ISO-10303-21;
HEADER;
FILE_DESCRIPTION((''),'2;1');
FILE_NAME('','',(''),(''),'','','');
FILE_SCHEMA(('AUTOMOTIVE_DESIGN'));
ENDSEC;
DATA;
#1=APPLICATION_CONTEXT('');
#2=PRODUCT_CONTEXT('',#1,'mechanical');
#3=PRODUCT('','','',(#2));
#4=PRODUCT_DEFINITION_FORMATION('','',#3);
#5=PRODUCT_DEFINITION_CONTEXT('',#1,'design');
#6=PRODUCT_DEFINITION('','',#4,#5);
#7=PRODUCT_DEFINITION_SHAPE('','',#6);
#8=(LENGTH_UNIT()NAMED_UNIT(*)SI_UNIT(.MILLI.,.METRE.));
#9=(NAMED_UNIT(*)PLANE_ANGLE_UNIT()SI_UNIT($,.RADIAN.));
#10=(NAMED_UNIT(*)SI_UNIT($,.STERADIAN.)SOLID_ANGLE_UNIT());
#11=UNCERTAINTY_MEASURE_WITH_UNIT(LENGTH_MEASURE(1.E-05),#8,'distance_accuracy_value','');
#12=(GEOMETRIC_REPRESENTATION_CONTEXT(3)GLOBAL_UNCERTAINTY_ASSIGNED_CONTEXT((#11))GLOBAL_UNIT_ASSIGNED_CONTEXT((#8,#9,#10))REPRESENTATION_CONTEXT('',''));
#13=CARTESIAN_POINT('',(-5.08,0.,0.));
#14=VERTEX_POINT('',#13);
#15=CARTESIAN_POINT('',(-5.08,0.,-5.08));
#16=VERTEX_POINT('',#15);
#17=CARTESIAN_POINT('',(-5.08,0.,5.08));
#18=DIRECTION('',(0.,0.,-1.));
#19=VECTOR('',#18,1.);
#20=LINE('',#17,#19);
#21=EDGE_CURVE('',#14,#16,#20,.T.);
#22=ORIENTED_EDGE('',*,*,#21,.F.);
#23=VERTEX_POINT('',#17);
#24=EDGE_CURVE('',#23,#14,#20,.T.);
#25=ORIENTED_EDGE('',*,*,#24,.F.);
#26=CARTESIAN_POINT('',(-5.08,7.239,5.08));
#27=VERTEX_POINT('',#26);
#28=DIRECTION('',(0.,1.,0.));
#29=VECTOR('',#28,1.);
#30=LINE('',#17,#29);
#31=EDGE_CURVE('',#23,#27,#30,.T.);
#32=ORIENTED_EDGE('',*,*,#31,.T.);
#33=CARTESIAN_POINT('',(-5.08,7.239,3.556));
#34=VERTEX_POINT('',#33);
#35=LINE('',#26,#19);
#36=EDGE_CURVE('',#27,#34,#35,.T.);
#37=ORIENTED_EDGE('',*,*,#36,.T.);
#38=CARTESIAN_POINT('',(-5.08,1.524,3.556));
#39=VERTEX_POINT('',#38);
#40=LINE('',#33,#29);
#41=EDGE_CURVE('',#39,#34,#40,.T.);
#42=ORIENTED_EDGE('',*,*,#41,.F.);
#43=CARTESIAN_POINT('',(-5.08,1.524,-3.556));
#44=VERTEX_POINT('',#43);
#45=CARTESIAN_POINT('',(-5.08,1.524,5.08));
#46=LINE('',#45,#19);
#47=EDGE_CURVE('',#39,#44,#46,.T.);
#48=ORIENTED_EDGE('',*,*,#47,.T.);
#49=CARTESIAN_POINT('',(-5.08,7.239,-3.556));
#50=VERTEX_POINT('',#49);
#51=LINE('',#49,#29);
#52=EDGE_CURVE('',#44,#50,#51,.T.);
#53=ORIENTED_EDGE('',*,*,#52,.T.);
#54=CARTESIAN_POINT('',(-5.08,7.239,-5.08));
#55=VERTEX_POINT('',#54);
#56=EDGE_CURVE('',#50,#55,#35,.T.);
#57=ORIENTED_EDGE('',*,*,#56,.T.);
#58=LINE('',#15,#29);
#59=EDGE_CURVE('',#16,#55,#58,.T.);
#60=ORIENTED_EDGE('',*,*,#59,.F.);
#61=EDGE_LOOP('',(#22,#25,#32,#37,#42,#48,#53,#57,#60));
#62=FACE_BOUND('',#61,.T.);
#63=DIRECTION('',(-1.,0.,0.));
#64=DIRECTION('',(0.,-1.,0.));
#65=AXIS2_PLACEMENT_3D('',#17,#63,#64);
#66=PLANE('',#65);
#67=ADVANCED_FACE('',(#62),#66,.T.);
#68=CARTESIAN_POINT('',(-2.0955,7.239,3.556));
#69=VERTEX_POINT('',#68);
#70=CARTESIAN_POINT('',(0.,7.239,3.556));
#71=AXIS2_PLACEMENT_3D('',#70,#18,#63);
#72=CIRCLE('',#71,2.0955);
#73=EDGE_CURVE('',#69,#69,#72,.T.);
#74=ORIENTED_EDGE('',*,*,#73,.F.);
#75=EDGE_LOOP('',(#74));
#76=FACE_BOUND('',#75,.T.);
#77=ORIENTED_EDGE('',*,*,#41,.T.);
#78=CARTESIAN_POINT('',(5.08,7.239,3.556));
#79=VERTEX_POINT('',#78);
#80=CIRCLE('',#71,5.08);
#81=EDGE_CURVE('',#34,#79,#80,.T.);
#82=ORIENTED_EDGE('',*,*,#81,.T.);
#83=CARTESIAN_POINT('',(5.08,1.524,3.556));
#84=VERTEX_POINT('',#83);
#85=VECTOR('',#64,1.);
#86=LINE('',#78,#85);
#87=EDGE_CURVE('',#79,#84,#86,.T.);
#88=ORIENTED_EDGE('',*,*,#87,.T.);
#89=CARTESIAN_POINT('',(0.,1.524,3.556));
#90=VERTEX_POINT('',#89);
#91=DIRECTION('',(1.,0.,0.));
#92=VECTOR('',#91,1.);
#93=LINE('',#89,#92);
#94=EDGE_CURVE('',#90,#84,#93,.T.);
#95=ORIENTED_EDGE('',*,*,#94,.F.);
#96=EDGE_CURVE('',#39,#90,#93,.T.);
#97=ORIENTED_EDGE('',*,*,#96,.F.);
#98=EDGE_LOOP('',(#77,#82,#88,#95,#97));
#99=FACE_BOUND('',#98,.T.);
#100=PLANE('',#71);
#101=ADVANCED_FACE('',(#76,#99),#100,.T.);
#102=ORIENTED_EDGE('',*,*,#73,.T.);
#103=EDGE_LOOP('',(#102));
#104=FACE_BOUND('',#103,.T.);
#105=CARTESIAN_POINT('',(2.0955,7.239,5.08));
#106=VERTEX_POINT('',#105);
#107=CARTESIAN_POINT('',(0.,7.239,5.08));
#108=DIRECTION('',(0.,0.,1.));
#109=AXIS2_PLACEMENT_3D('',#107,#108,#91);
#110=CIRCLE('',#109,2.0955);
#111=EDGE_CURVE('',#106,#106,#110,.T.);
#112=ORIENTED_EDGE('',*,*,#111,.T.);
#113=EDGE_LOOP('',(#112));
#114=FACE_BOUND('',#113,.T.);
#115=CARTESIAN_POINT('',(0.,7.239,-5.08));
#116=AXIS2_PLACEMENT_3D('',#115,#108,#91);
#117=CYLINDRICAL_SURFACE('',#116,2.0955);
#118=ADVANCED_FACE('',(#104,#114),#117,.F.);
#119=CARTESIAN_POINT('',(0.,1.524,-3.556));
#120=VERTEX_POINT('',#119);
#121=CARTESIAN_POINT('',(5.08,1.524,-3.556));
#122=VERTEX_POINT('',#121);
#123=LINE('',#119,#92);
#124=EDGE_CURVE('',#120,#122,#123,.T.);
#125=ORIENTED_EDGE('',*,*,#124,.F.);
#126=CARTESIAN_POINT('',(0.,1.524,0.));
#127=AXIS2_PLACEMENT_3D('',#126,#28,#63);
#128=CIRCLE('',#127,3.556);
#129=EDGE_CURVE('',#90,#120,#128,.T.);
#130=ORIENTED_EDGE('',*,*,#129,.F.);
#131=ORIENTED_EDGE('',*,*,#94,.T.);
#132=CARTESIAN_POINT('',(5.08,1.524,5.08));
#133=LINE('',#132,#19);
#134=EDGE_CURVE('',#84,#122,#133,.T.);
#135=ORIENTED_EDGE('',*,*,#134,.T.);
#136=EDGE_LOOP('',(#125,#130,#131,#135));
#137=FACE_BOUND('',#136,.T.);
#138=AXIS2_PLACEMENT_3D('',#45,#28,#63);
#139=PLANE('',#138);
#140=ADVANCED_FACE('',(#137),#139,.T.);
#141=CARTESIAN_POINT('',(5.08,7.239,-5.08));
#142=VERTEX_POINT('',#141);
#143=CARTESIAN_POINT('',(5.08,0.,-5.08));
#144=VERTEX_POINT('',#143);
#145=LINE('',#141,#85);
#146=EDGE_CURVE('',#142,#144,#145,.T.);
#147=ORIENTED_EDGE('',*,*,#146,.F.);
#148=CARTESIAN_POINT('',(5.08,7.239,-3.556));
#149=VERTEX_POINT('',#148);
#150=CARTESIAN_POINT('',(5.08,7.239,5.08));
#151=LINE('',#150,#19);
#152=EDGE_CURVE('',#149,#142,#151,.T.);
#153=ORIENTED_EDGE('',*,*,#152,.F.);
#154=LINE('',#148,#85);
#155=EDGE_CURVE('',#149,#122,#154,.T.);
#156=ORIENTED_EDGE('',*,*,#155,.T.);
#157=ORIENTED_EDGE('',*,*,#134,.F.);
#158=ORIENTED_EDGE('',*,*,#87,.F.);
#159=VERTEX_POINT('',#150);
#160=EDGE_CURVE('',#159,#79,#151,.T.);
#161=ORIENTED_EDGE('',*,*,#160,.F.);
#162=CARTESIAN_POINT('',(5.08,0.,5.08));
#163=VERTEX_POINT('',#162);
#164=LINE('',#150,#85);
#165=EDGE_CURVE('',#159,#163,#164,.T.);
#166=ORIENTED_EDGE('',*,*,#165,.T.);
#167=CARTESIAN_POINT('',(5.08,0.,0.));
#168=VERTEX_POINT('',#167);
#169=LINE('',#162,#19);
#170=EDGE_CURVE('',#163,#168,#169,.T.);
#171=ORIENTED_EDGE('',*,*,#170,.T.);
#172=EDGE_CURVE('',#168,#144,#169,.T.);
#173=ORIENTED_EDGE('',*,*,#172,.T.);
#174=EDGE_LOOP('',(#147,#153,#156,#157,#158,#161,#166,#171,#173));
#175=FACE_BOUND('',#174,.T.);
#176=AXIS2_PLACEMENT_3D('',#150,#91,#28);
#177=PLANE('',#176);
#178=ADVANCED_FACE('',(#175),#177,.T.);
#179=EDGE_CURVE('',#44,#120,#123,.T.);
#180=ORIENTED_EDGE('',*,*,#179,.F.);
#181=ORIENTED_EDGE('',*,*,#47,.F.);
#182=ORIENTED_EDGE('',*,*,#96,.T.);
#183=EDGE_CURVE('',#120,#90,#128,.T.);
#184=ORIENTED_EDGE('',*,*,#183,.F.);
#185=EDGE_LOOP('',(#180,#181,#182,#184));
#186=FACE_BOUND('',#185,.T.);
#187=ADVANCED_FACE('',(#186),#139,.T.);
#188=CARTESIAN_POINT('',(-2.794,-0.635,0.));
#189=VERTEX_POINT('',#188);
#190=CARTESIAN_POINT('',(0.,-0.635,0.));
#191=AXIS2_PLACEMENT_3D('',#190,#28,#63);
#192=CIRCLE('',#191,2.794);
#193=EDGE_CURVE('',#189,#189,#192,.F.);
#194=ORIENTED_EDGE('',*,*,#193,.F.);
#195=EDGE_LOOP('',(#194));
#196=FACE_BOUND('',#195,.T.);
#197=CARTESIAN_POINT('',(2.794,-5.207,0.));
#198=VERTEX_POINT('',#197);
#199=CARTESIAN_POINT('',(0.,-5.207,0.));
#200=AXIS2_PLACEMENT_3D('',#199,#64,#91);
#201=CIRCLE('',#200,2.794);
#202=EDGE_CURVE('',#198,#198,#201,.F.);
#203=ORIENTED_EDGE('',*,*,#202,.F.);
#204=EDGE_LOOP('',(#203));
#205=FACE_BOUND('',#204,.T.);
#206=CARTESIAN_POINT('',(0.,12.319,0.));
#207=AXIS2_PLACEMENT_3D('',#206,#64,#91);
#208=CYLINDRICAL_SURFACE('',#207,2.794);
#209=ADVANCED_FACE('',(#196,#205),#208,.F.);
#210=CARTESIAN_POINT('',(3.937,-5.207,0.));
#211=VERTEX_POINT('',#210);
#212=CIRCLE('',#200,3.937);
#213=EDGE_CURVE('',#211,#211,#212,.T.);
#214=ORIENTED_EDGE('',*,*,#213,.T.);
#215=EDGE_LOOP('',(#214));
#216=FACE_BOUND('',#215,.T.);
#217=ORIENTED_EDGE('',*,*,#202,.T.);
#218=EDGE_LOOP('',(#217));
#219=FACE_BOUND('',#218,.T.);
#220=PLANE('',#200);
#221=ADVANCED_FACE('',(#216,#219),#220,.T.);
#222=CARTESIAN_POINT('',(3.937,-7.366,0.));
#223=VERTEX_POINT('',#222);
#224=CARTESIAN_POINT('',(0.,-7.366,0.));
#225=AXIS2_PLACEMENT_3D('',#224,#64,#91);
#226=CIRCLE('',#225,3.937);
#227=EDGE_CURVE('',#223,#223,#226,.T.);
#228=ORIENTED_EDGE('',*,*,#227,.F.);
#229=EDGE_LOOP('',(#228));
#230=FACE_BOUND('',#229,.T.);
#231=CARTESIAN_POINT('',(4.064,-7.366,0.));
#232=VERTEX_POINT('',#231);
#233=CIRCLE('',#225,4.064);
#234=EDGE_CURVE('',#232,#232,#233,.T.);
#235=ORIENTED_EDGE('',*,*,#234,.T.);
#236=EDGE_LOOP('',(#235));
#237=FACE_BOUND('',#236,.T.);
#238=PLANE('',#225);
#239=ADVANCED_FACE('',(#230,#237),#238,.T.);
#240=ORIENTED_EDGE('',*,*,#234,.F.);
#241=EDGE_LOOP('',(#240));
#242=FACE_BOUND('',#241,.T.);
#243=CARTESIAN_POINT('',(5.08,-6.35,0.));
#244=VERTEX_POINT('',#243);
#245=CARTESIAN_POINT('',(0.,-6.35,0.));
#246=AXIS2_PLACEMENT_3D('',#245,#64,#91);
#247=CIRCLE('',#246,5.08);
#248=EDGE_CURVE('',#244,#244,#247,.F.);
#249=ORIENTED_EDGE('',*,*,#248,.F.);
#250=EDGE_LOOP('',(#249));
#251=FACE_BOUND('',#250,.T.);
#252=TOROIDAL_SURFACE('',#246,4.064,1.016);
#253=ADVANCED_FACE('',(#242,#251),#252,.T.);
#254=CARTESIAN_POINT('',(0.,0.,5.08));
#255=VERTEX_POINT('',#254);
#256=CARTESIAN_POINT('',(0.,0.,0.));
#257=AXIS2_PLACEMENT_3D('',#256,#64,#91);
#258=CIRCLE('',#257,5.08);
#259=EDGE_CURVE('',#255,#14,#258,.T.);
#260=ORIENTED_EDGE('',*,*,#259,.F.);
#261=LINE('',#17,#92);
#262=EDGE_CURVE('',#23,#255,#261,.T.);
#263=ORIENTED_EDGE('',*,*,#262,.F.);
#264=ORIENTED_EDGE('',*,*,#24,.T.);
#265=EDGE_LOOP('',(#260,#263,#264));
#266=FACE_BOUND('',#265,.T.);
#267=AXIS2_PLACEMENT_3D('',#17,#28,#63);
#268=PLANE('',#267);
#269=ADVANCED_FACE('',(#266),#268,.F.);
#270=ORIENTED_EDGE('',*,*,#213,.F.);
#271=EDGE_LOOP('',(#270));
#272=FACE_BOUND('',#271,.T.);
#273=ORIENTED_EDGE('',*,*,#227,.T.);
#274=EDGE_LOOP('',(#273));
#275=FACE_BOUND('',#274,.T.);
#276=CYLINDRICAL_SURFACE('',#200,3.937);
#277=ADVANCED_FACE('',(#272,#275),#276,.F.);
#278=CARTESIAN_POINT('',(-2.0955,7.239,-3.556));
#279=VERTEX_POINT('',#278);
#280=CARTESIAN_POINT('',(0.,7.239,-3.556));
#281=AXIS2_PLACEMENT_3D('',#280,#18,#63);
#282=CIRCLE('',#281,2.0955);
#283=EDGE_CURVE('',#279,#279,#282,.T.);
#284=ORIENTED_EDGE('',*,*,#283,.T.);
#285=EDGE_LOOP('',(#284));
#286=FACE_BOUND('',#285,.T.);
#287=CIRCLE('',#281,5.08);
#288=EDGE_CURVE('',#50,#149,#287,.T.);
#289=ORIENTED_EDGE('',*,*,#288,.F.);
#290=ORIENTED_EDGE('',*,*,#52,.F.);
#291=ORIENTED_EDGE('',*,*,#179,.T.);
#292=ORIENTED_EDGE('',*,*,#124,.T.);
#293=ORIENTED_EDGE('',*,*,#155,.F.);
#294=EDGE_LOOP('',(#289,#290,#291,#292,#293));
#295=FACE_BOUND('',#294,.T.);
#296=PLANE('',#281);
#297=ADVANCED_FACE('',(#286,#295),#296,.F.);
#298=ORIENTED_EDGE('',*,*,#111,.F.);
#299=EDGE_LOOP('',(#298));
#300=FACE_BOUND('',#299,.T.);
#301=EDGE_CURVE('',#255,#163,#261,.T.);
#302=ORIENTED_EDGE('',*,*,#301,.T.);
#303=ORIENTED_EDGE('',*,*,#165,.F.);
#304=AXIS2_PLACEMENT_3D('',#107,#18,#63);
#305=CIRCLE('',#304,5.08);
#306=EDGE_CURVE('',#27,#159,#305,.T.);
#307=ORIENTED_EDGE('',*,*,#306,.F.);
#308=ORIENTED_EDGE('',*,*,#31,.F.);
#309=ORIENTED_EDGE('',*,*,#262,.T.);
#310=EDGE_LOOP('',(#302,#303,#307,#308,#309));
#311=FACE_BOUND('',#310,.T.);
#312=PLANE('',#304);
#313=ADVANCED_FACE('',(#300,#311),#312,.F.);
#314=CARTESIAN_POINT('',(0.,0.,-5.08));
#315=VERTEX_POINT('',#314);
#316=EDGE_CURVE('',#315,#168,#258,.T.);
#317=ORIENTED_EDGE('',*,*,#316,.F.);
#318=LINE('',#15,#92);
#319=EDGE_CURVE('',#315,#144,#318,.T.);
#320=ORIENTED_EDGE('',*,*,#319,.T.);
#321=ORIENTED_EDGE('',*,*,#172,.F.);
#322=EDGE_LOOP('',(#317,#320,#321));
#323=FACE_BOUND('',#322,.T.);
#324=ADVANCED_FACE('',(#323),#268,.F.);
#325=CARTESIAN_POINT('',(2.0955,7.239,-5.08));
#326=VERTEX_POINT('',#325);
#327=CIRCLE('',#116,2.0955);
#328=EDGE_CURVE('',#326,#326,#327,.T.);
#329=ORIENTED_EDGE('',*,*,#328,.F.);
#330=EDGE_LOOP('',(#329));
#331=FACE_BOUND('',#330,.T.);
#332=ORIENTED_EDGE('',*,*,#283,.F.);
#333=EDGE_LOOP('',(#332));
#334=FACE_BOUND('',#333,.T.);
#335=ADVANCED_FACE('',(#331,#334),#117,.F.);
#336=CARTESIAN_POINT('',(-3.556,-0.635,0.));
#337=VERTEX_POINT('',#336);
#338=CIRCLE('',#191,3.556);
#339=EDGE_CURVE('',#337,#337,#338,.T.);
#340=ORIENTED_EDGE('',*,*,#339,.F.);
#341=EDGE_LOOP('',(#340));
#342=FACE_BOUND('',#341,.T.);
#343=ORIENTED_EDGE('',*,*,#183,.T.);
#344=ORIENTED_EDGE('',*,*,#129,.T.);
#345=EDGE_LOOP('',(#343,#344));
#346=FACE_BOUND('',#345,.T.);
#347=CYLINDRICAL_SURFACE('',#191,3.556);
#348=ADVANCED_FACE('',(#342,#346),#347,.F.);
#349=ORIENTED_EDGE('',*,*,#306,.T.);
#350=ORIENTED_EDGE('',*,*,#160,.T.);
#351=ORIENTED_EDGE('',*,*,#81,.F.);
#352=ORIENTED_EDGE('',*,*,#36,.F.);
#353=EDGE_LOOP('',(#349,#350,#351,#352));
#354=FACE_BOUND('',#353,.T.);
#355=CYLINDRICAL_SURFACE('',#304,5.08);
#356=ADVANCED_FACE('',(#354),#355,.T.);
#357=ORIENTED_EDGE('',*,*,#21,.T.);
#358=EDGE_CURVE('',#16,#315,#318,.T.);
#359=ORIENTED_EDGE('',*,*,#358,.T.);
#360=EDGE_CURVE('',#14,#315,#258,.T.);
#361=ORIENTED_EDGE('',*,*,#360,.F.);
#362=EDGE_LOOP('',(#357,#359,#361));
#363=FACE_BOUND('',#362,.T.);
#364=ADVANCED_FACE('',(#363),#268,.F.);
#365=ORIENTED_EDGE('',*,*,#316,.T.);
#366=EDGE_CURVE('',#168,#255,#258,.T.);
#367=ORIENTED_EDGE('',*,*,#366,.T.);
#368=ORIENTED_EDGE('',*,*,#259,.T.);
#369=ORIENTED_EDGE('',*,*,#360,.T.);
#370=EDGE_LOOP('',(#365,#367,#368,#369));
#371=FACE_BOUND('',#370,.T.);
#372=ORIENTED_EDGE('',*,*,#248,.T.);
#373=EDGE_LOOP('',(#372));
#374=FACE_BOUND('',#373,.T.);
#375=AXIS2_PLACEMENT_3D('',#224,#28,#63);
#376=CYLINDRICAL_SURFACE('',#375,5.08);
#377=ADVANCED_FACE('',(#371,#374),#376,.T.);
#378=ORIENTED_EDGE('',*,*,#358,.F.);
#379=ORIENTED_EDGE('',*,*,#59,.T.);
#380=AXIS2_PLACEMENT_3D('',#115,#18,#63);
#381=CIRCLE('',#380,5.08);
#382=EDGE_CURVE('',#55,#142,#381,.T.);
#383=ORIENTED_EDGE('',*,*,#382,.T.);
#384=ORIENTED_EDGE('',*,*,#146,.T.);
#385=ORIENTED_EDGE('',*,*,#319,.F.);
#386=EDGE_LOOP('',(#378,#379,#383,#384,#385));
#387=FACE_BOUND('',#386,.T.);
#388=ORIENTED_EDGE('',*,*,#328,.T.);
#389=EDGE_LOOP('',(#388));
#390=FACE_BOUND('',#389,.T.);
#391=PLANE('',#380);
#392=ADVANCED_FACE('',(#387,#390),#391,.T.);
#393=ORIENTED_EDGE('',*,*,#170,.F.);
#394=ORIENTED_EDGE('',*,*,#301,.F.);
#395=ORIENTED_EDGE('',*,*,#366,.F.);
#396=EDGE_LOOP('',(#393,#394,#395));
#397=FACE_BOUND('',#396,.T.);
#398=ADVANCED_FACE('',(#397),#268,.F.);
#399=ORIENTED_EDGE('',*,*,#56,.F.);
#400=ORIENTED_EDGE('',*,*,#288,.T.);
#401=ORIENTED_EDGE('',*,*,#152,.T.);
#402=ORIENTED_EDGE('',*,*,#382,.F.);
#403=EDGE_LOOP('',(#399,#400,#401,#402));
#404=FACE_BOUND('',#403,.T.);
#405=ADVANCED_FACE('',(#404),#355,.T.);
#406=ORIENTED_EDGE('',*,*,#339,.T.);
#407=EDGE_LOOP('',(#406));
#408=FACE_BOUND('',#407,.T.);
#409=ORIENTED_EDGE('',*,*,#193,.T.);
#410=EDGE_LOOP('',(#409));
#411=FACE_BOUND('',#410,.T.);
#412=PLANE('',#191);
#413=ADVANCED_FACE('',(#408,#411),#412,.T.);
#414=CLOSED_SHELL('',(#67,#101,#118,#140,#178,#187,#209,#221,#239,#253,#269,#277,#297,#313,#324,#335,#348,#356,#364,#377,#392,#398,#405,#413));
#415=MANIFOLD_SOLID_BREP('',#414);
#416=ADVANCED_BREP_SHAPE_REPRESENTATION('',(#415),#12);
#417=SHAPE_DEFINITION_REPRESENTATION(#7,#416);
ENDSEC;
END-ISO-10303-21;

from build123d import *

# Parameters (mm, degrees)
BASE_EXTRUDE_DEPTH  = 5.08
SHELL1_T            = -1.524
SKETCH2_R           = 2.0955
CUT_EXTRUDE1_DEPTH  = 17.756782537
SKETCH4_R           = 5.08
BOSS_EXTRUDE1_DEPTH = 7.366
SKETCH5_R           = 2.794
CUT_EXTRUDE2_DEPTH  = 21.955
SKETCH3_R           = 3.556
CUT_EXTRUDE3_DEPTH  = 2.159
SKETCH6_R           = 3.937
CUT_EXTRUDE4_DEPTH  = 2.159
FILLET1_R           = 1.016


with BuildPart() as part:
    # Sketch1 → Base-Extrude (new, symmetric)
    with BuildSketch(Plane.XY):
        with BuildLine():
            Line((-5.08, 0), (5.08, 0))
            Line((5.08, 0), (5.08, 7.239))
            ThreePointArc((5.08, 7.239), (0, 12.319), (-5.08, 7.239))
            Line((-5.08, 7.239), (-5.08, 0))
        make_face()
    extrude(amount=BASE_EXTRUDE_DEPTH, both=True)

    # Shell1
    shell1_openings = [part.faces().sort_by_distance(p)[0] for p in [
        (5.08, 3.6195, 0),
        (0, 12.319, 0),
        (-5.08, 3.6195, 0),
    ]]
    offset(amount=SHELL1_T, openings=shell1_openings, kind=Kind.INTERSECTION)

    # Sketch2 → Cut-Extrude1 (cut, through all)
    with BuildSketch(Plane.XY.offset(5.08)):
        with Locations((0, 7.239)):
            Circle(SKETCH2_R)
    extrude(amount=-CUT_EXTRUDE1_DEPTH, mode=Mode.SUBTRACT)

    # Sketch4 → Boss-Extrude1 (add)
    with BuildSketch(Plane.XZ):
        Circle(SKETCH4_R)
    extrude(amount=BOSS_EXTRUDE1_DEPTH)

    # Sketch5 → Cut-Extrude2 (cut, through all)
    with BuildSketch(Plane.XZ.offset(7.366)):
        Circle(SKETCH5_R)
    extrude(amount=-CUT_EXTRUDE2_DEPTH, mode=Mode.SUBTRACT)

    # Sketch3 → Cut-Extrude3 (cut)
    with BuildSketch(Plane(origin=(0, 1.524, 0), x_dir=(-1, 0, 0), z_dir=(0, 1, 0))):
        Circle(SKETCH3_R)
    extrude(amount=-CUT_EXTRUDE3_DEPTH, mode=Mode.SUBTRACT)

    # Sketch6 → Cut-Extrude4 (cut)
    with BuildSketch(Plane.XZ.offset(7.366)):
        Circle(SKETCH6_R)
    extrude(amount=-CUT_EXTRUDE4_DEPTH, mode=Mode.SUBTRACT)

    # Fillet1
    fillet1_edges = [part.edges().sort_by_distance(p)[0] for p in [
        (-5.08, -7.366, 0),
    ]]
    fillet(fillet1_edges, radius=FILLET1_R)


solid = part.part
